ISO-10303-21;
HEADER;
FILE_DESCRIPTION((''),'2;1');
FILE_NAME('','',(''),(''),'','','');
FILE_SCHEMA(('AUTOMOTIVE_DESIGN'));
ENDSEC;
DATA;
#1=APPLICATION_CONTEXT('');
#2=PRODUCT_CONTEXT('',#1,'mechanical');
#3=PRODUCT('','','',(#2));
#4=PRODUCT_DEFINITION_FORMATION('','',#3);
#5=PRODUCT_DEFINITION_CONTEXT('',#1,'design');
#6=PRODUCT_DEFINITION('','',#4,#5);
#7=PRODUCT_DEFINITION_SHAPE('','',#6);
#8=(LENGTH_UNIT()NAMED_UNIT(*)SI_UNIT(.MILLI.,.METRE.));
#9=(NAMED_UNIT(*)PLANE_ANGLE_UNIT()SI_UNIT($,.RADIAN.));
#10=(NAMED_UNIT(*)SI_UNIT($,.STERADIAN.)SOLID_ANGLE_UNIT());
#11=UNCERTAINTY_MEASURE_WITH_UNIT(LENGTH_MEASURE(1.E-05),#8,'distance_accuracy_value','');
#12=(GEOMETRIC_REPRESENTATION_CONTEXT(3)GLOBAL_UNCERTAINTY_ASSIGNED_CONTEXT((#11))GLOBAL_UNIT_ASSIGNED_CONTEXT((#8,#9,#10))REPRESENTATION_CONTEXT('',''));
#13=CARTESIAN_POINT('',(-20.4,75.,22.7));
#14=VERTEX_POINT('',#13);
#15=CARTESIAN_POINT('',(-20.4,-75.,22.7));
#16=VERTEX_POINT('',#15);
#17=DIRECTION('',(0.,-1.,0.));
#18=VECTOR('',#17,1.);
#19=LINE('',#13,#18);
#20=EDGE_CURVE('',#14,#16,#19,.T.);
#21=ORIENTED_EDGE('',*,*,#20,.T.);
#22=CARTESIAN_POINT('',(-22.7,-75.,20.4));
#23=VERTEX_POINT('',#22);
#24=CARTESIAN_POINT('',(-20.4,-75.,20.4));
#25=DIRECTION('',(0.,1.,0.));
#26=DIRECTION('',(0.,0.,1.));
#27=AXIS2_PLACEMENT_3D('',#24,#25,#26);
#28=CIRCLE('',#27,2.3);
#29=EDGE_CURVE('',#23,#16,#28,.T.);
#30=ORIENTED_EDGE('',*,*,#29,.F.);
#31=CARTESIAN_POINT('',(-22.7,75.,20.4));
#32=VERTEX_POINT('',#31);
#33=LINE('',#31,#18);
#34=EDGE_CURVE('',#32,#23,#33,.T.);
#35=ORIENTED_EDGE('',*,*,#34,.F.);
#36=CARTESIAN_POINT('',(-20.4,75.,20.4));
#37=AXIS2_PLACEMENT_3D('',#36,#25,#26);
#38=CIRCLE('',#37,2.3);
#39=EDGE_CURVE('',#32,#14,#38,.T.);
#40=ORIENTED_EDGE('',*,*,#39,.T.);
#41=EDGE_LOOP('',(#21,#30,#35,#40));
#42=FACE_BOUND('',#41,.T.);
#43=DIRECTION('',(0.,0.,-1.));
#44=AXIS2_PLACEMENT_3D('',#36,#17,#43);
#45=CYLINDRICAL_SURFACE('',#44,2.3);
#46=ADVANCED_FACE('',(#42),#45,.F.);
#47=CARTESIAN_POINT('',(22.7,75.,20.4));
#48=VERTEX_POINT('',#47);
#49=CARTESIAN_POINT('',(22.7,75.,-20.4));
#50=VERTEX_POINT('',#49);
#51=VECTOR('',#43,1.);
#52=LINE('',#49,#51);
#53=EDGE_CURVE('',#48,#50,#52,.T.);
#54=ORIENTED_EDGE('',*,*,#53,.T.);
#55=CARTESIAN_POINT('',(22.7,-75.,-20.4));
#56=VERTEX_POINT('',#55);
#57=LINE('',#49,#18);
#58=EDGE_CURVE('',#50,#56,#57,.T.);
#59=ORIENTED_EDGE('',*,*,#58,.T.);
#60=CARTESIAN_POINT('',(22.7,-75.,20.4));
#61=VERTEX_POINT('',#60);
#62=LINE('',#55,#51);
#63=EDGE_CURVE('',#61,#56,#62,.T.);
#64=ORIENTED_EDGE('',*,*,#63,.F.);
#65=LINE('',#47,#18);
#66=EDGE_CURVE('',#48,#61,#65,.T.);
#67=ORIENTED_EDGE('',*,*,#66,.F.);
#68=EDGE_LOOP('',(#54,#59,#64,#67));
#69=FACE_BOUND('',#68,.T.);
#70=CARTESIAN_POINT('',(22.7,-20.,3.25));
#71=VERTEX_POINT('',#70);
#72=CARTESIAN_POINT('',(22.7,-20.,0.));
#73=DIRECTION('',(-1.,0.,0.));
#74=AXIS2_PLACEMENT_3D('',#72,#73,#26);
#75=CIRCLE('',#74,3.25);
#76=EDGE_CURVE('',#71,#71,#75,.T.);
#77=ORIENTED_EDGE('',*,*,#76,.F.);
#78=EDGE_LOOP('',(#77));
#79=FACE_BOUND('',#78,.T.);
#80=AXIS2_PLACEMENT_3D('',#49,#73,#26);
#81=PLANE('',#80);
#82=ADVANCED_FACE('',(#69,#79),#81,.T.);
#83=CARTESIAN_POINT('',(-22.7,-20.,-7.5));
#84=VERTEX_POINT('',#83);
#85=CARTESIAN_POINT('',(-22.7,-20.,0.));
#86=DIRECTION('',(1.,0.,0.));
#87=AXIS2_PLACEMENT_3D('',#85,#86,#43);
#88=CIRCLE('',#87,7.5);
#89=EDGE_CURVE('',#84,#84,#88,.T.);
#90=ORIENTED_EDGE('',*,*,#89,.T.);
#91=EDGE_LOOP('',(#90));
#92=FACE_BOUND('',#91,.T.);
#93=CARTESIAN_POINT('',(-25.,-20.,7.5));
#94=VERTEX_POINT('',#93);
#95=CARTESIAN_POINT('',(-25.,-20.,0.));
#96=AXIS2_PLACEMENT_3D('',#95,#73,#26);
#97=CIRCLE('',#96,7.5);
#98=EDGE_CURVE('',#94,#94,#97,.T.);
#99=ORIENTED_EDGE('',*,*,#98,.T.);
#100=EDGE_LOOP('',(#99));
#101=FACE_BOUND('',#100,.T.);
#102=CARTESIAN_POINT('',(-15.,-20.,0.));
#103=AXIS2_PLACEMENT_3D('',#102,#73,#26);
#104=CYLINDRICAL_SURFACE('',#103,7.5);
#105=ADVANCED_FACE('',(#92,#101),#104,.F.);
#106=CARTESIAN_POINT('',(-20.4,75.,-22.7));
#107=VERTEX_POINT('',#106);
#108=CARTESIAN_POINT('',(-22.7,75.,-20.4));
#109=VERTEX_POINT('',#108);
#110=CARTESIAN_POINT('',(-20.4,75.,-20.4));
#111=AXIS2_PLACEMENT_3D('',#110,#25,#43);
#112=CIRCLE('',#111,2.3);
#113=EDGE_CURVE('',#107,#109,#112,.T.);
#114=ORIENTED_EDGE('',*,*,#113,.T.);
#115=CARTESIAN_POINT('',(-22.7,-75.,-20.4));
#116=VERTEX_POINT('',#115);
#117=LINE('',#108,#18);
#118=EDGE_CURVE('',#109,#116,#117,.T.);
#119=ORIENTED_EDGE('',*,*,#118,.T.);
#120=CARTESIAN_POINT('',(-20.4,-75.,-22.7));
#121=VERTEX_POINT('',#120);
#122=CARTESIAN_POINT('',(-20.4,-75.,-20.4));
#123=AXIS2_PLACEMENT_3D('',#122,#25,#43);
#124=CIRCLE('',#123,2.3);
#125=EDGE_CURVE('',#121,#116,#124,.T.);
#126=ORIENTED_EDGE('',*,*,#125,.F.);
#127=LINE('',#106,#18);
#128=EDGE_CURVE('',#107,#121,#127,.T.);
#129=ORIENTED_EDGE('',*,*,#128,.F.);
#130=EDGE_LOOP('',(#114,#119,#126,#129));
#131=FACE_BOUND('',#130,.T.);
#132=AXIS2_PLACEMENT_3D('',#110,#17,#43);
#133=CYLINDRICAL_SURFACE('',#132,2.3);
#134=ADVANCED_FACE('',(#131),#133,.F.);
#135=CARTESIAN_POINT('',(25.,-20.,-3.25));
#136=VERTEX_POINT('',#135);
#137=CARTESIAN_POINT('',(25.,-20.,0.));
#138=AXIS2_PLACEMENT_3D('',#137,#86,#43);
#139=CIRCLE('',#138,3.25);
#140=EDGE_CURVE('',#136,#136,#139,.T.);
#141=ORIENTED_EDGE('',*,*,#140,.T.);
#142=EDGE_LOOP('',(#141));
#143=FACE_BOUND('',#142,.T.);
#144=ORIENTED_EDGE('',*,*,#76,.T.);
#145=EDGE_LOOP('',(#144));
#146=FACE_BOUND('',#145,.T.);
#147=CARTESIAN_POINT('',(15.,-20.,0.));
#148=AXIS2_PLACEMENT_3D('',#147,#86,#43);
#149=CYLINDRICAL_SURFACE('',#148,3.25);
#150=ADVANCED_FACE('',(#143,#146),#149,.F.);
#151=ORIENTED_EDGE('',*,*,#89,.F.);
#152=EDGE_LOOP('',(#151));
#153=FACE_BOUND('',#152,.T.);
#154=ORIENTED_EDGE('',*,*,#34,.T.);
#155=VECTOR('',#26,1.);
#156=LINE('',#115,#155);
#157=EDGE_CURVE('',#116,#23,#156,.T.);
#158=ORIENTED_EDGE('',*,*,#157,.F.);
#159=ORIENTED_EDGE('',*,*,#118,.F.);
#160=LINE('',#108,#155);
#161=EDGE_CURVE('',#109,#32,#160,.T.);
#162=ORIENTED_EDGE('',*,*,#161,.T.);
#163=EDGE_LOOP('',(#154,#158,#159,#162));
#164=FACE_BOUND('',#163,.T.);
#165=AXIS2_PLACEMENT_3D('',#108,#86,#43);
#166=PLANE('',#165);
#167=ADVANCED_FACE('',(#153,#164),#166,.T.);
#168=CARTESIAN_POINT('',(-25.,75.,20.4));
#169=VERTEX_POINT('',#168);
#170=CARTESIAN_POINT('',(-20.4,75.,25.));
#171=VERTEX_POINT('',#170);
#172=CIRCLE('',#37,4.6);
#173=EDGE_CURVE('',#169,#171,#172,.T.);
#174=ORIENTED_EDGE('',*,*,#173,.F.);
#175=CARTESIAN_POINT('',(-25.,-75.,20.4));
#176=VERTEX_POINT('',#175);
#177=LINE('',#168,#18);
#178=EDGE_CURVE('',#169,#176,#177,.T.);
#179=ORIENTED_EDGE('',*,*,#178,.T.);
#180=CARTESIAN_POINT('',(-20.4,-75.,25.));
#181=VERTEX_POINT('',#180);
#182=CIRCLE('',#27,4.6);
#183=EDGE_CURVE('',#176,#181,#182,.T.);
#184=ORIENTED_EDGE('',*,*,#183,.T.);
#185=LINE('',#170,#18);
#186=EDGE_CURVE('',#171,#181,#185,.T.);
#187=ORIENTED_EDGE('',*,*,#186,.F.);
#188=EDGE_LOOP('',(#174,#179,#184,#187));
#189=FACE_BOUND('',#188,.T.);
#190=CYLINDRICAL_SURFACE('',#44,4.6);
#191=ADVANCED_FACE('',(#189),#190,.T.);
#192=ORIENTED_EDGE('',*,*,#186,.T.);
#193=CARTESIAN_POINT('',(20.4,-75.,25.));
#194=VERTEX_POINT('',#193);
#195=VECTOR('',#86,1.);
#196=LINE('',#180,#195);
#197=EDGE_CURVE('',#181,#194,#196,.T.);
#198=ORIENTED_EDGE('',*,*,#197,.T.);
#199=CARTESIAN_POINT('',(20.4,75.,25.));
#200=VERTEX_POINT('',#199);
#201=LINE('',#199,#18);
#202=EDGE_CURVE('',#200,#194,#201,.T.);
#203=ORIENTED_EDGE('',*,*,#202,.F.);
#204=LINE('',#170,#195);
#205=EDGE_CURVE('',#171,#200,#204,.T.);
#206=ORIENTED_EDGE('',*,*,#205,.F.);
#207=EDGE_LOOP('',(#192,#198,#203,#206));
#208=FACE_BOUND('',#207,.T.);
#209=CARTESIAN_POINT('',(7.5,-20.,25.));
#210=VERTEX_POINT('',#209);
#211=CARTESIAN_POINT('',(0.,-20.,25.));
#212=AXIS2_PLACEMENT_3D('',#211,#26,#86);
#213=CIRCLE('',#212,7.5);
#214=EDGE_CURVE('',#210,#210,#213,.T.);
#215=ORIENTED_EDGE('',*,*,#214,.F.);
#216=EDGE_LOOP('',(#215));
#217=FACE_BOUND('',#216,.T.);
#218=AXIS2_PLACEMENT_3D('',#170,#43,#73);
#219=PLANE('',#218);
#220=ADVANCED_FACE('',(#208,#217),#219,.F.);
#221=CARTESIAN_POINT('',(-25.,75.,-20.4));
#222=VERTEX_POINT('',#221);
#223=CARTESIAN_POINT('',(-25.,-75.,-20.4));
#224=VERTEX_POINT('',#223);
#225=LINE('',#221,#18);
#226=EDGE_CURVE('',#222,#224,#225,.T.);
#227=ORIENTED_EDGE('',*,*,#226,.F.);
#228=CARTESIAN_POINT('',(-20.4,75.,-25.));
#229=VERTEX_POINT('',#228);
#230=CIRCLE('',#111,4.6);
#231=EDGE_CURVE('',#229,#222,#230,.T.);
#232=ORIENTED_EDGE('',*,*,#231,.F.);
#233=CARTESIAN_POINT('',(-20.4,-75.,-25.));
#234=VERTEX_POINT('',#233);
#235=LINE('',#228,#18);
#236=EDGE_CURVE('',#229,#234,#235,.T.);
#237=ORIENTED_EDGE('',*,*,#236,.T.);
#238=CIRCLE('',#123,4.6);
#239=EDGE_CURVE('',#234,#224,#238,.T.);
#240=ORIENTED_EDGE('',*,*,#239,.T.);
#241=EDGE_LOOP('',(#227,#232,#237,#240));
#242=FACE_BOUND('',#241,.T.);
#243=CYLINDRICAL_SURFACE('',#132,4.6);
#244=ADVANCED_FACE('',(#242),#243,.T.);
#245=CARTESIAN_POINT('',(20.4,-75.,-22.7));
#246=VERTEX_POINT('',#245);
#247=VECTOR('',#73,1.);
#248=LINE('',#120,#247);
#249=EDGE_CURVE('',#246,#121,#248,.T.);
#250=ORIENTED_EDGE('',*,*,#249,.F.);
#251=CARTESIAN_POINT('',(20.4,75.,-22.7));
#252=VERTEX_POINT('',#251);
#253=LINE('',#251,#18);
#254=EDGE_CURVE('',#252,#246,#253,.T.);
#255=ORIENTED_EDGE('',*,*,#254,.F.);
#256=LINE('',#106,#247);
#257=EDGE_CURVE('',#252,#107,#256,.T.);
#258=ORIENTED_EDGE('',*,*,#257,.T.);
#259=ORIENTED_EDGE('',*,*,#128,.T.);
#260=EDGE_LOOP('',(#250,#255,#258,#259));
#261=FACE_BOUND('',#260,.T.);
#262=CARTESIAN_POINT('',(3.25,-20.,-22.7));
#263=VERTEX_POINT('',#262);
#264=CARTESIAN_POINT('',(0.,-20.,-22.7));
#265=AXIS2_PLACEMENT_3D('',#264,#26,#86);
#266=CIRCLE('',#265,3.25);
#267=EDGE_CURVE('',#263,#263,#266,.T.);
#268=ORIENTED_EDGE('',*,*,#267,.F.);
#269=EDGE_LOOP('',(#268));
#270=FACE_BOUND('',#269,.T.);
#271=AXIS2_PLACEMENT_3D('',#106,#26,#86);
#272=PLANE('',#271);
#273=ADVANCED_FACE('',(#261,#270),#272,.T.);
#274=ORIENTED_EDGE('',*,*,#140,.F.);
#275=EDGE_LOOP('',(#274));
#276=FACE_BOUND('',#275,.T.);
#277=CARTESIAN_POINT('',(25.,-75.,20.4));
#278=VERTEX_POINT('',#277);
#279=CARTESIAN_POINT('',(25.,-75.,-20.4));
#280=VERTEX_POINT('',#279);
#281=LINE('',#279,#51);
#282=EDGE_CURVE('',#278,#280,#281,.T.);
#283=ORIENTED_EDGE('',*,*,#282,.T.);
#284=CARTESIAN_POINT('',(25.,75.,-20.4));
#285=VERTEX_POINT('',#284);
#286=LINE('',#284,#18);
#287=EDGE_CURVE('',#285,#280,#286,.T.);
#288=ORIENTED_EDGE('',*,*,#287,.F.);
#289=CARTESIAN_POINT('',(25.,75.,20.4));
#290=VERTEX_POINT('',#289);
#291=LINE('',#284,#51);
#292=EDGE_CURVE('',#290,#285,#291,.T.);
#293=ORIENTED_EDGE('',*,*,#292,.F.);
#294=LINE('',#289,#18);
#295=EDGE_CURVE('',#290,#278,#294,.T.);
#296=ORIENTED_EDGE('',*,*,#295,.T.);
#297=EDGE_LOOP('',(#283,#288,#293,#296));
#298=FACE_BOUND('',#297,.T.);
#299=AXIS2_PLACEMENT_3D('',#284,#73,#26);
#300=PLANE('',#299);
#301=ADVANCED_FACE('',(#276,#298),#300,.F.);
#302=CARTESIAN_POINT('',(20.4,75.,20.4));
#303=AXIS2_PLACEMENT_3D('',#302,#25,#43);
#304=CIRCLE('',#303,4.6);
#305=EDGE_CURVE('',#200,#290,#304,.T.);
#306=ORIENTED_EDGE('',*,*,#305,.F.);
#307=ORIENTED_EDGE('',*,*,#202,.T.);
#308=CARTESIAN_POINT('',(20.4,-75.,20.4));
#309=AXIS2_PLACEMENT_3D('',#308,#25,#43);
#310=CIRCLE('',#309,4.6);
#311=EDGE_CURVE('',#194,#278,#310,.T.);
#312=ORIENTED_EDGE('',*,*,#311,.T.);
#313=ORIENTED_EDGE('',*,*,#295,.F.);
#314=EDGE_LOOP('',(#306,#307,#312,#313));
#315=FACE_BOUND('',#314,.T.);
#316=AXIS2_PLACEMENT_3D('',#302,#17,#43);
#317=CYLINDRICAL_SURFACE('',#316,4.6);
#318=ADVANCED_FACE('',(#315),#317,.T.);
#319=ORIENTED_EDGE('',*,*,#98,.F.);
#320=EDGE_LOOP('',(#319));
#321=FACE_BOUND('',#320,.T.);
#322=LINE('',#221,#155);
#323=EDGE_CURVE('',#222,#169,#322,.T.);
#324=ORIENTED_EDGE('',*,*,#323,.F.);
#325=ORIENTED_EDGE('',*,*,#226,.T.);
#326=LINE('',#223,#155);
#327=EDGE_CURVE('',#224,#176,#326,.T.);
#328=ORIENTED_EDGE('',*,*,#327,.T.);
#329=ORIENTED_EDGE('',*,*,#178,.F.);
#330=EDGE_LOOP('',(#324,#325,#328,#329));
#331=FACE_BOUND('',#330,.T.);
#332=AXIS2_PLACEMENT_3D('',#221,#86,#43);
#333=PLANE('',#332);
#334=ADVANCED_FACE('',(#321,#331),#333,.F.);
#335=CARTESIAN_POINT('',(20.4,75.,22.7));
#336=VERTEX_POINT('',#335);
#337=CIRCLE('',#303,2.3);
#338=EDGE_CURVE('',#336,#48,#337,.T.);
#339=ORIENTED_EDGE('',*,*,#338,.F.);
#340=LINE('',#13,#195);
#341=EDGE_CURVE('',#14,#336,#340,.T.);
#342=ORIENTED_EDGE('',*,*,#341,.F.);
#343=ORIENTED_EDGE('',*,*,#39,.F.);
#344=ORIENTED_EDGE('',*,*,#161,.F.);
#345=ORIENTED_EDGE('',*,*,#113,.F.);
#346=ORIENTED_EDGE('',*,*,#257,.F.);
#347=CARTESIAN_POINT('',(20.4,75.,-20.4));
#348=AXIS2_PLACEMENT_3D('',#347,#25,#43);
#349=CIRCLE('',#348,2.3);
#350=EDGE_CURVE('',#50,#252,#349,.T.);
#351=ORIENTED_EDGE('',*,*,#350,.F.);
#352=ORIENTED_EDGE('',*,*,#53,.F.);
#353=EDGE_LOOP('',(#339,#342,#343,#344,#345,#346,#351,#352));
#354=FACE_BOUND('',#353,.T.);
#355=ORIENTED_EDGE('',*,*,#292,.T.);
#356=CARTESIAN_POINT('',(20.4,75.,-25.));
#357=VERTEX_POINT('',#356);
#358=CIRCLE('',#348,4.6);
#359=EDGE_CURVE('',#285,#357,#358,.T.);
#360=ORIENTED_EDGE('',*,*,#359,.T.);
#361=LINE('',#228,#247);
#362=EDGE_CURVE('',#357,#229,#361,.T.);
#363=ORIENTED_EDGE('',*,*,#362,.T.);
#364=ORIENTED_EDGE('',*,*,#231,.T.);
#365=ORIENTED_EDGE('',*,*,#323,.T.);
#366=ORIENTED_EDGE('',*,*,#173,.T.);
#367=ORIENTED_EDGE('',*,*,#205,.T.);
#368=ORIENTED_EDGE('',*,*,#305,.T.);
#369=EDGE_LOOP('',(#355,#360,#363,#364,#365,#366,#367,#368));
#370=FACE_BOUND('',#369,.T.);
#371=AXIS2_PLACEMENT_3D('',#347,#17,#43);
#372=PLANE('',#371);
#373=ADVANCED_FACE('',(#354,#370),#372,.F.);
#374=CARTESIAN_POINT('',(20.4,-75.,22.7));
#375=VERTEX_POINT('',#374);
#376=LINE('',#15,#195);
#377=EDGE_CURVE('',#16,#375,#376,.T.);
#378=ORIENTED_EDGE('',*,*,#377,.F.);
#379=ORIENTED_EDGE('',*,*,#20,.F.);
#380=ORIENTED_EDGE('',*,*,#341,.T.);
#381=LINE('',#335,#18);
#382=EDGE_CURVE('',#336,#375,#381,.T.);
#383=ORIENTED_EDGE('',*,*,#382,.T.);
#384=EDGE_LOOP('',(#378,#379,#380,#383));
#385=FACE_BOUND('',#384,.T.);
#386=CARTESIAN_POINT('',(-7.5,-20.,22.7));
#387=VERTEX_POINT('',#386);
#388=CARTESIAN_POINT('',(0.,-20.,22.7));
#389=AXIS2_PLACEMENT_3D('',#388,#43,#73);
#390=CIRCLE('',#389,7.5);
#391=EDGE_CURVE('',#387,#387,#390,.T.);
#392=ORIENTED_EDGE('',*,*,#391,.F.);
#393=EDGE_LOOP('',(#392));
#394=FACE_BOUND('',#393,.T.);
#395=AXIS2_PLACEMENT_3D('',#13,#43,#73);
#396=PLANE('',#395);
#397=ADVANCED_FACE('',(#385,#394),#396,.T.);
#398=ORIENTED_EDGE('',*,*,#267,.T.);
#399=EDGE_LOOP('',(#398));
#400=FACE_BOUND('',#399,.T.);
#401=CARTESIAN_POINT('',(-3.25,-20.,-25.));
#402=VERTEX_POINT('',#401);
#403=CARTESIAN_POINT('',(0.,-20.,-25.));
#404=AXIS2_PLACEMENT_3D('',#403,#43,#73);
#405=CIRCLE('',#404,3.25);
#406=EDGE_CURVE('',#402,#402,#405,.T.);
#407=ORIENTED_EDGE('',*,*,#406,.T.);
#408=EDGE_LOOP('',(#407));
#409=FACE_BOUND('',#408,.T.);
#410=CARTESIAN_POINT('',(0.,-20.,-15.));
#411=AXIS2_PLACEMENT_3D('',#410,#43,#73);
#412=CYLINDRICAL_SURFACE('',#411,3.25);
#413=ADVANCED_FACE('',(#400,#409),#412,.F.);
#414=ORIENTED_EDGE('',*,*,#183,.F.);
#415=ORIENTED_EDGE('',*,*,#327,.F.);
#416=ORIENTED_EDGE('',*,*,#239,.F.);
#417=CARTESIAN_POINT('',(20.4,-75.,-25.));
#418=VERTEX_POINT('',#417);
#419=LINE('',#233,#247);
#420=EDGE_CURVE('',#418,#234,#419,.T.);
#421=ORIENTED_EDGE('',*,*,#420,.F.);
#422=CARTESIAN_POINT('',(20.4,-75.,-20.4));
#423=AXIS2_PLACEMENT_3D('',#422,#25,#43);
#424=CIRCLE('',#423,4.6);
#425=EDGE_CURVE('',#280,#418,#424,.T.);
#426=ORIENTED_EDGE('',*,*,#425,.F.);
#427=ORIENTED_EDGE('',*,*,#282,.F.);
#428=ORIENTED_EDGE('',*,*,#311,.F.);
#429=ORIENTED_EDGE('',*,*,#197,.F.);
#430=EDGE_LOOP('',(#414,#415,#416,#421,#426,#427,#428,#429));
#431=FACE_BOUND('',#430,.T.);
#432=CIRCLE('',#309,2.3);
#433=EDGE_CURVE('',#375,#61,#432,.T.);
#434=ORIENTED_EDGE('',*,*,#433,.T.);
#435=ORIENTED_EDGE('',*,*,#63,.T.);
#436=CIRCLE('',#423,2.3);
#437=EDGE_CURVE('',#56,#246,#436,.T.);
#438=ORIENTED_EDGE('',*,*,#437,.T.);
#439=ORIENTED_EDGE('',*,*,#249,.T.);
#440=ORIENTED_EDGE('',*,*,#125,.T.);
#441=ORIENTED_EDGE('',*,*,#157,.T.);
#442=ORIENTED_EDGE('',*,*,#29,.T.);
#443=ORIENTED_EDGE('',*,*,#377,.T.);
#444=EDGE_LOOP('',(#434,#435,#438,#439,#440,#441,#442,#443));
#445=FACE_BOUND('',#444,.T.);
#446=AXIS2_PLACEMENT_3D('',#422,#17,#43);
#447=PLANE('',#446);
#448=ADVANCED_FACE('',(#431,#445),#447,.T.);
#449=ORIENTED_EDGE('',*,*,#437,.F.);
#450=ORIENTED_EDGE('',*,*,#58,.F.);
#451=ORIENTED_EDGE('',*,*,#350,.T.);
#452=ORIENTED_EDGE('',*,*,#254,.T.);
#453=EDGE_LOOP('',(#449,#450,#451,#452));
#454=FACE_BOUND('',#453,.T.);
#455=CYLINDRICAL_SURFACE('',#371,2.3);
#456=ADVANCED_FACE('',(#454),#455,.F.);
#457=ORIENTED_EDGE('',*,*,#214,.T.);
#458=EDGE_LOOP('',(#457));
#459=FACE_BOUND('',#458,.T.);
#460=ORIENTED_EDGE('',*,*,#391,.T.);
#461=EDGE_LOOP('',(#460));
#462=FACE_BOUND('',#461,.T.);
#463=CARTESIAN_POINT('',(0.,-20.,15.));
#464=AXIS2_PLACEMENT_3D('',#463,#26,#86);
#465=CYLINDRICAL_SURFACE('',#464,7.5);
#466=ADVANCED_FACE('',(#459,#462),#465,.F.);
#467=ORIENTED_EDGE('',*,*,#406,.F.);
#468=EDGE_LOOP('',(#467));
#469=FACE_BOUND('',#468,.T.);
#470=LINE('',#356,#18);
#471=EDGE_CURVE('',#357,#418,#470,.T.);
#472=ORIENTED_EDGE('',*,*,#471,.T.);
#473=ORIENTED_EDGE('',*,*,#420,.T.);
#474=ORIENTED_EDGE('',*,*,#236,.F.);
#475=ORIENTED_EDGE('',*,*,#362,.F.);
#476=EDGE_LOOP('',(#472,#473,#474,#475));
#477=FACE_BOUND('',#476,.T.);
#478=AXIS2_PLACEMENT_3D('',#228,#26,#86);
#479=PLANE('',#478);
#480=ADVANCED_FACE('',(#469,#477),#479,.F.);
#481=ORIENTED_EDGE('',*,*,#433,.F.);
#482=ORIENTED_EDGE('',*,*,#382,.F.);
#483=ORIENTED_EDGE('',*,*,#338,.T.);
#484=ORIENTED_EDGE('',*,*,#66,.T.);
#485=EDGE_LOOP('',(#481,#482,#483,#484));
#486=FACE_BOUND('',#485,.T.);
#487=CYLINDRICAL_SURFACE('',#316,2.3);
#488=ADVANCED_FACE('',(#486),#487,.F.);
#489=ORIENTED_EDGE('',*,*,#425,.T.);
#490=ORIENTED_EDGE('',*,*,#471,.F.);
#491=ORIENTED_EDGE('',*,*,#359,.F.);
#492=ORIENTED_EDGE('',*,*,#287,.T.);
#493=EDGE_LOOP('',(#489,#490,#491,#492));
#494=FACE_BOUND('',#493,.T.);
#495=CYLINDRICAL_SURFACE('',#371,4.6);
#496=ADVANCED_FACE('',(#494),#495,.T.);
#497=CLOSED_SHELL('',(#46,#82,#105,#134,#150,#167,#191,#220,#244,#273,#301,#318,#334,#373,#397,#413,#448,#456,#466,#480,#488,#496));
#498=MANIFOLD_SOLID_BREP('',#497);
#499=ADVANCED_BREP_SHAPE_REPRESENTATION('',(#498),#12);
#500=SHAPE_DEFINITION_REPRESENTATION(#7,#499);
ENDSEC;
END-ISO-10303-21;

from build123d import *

# Parameters (mm, degrees)
SHS_C450_AS_50X50X2_3_SHS_C450_1_DEPTH = 150
SKETCH12_R                             = 3.25
CUT_EXTRUDE1_DEPTH                     = 10
SKETCH13_R                             = 3.25
CUT_EXTRUDE2_DEPTH                     = 10
SKETCH14_R                             = 7.5
CUT_EXTRUDE3_DEPTH                     = 10
SKETCH15_R                             = 7.5
CUT_EXTRUDE4_DEPTH                     = 10


with BuildPart() as part:
    # Sketch11 → Shs c450 as 50X50X2.3 SHS C450(1) (new body)
    with BuildSketch(Plane.ZX.offset(-75)):
        with BuildLine():
            Line((-20.4, -25), (20.4, -25))
            ThreePointArc((20.4, -25), (23.652691193, -23.652691193), (25, -20.4))
            Line((25, -20.4), (25, 20.4))
            ThreePointArc((25, 20.4), (23.652691193, 23.652691193), (20.4, 25))
            Line((20.4, 25), (-20.4, 25))
            ThreePointArc((-20.4, 25), (-23.652691193, 23.652691193), (-25, 20.4))
            Line((-25, 20.4), (-25, -20.4))
            ThreePointArc((-25, -20.4), (-23.652691193, -23.652691193), (-20.4, -25))
        make_face()
        with BuildLine():
            Line((-20.4, 22.7), (20.4, 22.7))
            ThreePointArc((20.4, 22.7), (22.026345597, 22.026345597), (22.7, 20.4))
            Line((22.7, 20.4), (22.7, -20.4))
            ThreePointArc((22.7, -20.4), (22.026345597, -22.026345597), (20.4, -22.7))
            Line((20.4, -22.7), (-20.4, -22.7))
            ThreePointArc((-20.4, -22.7), (-22.026345597, -22.026345597), (-22.7, -20.4))
            Line((-22.7, -20.4), (-22.7, 20.4))
            ThreePointArc((-22.7, 20.4), (-22.026345597, 22.026345597), (-20.4, 22.7))
        make_face(mode=Mode.SUBTRACT)
    extrude(amount=SHS_C450_AS_50X50X2_3_SHS_C450_1_DEPTH)

    # Sketch12 → Cut-Extrude1 (cut)
    with BuildSketch(Plane(origin=(25, 0, 0), x_dir=(0, 0, -1), z_dir=(1, 0, 0))):
        with Locations((0, -20)):
            Circle(SKETCH12_R)
    extrude(amount=-CUT_EXTRUDE1_DEPTH, mode=Mode.SUBTRACT)

    # Sketch13 → Cut-Extrude2 (cut)
    with BuildSketch(Plane(origin=(0, 0, -25), x_dir=(-1, 0, 0), z_dir=(0, 0, -1))):
        with Locations((0, -20)):
            Circle(SKETCH13_R)
    extrude(amount=-CUT_EXTRUDE2_DEPTH, mode=Mode.SUBTRACT)

    # Sketch14 → Cut-Extrude3 (cut)
    with BuildSketch(Plane.XY.offset(25)):
        with Locations((0, -20)):
            Circle(SKETCH14_R)
    extrude(amount=-CUT_EXTRUDE3_DEPTH, mode=Mode.SUBTRACT)

    # Sketch15 → Cut-Extrude4 (cut)
    with BuildSketch(Plane.ZY.offset(25)):
        with Locations((0, -20)):
            Circle(SKETCH15_R)
    extrude(amount=-CUT_EXTRUDE4_DEPTH, mode=Mode.SUBTRACT)


solid = part.part
